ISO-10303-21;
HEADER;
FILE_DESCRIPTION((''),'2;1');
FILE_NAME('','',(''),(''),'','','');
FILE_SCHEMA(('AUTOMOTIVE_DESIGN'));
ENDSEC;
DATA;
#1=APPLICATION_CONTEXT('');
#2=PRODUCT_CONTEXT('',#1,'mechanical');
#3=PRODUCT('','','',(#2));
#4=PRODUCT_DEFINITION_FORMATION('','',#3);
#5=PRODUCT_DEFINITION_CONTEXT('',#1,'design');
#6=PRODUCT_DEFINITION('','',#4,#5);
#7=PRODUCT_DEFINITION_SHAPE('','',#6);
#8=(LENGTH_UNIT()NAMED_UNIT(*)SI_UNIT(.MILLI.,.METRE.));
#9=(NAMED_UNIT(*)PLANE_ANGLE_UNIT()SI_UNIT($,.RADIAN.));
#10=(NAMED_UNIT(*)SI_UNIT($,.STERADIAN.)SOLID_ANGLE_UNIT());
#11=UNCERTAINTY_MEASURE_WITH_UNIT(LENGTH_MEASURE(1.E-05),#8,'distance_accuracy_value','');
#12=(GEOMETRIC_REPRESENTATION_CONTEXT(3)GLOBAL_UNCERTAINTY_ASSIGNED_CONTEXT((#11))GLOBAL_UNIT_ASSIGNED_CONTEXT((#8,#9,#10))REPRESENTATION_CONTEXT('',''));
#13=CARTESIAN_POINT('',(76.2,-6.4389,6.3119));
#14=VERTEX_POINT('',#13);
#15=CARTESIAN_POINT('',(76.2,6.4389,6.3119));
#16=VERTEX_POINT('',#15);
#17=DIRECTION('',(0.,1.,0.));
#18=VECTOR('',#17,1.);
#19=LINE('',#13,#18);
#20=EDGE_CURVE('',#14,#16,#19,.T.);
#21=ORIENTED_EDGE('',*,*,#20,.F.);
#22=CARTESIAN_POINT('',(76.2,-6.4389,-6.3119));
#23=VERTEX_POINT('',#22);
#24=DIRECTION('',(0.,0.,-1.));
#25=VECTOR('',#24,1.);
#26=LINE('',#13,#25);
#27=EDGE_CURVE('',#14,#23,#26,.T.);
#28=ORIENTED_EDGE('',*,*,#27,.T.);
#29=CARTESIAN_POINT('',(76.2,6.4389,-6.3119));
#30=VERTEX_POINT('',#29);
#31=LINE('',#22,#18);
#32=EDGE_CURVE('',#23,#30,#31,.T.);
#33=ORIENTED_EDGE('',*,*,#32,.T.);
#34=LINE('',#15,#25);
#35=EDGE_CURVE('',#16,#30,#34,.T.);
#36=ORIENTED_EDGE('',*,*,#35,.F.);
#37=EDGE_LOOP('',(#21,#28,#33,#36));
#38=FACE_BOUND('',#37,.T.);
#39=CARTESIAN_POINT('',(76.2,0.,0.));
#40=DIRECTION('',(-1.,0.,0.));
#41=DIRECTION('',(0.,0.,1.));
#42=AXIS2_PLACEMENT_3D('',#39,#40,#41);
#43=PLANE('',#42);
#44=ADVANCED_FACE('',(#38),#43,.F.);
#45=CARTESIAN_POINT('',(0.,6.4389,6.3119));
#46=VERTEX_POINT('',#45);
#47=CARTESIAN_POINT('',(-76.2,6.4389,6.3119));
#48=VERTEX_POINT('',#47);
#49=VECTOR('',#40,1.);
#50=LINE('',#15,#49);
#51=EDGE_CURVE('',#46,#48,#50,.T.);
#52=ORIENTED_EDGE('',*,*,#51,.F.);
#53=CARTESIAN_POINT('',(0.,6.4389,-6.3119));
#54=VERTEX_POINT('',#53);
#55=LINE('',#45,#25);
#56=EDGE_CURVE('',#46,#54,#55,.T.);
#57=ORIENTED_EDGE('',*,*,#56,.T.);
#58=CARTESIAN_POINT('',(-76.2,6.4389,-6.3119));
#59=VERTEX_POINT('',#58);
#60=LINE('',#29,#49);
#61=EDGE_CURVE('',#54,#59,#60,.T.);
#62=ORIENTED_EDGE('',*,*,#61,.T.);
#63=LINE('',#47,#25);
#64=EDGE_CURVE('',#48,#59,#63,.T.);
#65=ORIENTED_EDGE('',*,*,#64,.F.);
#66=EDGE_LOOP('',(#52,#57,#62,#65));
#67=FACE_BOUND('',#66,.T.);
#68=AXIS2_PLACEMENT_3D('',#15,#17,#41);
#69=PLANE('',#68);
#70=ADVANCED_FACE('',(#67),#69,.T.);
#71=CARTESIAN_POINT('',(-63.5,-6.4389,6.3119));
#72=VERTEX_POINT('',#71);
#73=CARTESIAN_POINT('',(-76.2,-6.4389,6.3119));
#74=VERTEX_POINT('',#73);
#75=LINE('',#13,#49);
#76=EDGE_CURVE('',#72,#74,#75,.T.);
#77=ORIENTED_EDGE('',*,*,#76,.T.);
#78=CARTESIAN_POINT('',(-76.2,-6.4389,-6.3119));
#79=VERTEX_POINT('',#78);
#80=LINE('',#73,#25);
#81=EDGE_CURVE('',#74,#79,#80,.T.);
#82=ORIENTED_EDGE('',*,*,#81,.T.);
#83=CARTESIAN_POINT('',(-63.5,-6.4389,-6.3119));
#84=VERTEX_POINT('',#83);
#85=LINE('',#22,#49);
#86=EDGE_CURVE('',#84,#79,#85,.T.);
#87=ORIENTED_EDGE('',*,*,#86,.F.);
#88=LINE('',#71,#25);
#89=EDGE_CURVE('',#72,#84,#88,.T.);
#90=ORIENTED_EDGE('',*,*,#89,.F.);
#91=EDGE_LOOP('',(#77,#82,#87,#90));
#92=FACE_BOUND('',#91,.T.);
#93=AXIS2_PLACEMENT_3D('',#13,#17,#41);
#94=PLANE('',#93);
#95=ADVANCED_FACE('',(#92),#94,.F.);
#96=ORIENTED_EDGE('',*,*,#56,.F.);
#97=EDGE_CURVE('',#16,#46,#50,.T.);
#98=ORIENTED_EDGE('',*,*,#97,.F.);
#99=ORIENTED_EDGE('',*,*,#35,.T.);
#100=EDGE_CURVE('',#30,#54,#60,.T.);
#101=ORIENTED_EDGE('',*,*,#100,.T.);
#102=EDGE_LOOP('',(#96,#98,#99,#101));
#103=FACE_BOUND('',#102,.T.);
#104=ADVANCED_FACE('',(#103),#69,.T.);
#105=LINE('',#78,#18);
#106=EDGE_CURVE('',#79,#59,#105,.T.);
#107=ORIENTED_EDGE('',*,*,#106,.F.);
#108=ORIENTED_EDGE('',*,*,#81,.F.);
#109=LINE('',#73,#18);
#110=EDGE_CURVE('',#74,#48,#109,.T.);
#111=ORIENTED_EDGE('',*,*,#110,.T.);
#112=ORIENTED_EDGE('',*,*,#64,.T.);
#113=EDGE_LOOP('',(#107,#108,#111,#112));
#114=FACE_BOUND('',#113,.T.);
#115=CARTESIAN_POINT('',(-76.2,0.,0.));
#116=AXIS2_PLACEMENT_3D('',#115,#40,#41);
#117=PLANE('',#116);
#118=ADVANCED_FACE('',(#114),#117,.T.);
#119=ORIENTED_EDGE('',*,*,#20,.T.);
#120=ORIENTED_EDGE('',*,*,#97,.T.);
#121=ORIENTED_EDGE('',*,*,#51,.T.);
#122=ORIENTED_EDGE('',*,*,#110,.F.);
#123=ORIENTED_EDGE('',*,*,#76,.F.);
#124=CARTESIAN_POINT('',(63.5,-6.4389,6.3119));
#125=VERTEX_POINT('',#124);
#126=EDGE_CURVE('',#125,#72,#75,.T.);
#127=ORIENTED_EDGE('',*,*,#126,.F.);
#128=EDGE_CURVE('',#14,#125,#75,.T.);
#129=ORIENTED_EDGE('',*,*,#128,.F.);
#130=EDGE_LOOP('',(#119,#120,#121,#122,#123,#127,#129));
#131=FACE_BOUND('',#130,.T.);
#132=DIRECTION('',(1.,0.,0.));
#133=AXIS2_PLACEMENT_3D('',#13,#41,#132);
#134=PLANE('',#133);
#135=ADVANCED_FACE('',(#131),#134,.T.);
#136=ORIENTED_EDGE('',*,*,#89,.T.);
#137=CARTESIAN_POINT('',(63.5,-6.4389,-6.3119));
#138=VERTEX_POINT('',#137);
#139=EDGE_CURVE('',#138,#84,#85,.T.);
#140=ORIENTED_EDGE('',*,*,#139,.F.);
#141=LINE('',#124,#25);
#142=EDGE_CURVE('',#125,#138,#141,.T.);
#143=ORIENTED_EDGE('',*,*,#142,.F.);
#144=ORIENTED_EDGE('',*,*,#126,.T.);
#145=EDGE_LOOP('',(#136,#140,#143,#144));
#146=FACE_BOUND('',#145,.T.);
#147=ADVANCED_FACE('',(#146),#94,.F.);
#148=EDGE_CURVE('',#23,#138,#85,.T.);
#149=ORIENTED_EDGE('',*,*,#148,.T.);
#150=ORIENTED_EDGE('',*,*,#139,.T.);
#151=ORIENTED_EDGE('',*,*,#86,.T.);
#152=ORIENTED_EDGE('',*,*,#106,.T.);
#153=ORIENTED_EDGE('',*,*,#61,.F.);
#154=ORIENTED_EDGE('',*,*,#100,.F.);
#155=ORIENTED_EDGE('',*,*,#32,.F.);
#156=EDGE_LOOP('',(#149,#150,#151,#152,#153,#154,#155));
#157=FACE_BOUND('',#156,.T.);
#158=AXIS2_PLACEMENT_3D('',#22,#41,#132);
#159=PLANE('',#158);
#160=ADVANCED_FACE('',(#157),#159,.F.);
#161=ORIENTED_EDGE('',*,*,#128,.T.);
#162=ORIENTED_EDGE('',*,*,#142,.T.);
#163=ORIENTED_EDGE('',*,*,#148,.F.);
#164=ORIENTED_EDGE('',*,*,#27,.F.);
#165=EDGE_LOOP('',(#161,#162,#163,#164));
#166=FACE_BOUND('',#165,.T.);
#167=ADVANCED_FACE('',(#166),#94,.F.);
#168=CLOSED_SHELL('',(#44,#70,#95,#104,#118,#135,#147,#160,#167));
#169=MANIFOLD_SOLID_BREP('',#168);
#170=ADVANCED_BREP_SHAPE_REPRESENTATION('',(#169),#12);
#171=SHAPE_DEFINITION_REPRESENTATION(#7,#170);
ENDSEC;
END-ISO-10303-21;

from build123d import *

# Parameters (mm, degrees)
SKETCH1_W           = 12.6238
SKETCH1_H           = 12.8778
BOSS_EXTRUDE1_DEPTH = 76.2


with BuildPart() as part:
    # Sketch1 → Boss-Extrude1 (new body, symmetric)
    with BuildSketch(Plane(origin=(0, 0, 0), x_dir=(0, 0, -1), z_dir=(1, 0, 0))):
        Rectangle(SKETCH1_W, SKETCH1_H)
    extrude(amount=BOSS_EXTRUDE1_DEPTH, both=True)


solid = part.part
